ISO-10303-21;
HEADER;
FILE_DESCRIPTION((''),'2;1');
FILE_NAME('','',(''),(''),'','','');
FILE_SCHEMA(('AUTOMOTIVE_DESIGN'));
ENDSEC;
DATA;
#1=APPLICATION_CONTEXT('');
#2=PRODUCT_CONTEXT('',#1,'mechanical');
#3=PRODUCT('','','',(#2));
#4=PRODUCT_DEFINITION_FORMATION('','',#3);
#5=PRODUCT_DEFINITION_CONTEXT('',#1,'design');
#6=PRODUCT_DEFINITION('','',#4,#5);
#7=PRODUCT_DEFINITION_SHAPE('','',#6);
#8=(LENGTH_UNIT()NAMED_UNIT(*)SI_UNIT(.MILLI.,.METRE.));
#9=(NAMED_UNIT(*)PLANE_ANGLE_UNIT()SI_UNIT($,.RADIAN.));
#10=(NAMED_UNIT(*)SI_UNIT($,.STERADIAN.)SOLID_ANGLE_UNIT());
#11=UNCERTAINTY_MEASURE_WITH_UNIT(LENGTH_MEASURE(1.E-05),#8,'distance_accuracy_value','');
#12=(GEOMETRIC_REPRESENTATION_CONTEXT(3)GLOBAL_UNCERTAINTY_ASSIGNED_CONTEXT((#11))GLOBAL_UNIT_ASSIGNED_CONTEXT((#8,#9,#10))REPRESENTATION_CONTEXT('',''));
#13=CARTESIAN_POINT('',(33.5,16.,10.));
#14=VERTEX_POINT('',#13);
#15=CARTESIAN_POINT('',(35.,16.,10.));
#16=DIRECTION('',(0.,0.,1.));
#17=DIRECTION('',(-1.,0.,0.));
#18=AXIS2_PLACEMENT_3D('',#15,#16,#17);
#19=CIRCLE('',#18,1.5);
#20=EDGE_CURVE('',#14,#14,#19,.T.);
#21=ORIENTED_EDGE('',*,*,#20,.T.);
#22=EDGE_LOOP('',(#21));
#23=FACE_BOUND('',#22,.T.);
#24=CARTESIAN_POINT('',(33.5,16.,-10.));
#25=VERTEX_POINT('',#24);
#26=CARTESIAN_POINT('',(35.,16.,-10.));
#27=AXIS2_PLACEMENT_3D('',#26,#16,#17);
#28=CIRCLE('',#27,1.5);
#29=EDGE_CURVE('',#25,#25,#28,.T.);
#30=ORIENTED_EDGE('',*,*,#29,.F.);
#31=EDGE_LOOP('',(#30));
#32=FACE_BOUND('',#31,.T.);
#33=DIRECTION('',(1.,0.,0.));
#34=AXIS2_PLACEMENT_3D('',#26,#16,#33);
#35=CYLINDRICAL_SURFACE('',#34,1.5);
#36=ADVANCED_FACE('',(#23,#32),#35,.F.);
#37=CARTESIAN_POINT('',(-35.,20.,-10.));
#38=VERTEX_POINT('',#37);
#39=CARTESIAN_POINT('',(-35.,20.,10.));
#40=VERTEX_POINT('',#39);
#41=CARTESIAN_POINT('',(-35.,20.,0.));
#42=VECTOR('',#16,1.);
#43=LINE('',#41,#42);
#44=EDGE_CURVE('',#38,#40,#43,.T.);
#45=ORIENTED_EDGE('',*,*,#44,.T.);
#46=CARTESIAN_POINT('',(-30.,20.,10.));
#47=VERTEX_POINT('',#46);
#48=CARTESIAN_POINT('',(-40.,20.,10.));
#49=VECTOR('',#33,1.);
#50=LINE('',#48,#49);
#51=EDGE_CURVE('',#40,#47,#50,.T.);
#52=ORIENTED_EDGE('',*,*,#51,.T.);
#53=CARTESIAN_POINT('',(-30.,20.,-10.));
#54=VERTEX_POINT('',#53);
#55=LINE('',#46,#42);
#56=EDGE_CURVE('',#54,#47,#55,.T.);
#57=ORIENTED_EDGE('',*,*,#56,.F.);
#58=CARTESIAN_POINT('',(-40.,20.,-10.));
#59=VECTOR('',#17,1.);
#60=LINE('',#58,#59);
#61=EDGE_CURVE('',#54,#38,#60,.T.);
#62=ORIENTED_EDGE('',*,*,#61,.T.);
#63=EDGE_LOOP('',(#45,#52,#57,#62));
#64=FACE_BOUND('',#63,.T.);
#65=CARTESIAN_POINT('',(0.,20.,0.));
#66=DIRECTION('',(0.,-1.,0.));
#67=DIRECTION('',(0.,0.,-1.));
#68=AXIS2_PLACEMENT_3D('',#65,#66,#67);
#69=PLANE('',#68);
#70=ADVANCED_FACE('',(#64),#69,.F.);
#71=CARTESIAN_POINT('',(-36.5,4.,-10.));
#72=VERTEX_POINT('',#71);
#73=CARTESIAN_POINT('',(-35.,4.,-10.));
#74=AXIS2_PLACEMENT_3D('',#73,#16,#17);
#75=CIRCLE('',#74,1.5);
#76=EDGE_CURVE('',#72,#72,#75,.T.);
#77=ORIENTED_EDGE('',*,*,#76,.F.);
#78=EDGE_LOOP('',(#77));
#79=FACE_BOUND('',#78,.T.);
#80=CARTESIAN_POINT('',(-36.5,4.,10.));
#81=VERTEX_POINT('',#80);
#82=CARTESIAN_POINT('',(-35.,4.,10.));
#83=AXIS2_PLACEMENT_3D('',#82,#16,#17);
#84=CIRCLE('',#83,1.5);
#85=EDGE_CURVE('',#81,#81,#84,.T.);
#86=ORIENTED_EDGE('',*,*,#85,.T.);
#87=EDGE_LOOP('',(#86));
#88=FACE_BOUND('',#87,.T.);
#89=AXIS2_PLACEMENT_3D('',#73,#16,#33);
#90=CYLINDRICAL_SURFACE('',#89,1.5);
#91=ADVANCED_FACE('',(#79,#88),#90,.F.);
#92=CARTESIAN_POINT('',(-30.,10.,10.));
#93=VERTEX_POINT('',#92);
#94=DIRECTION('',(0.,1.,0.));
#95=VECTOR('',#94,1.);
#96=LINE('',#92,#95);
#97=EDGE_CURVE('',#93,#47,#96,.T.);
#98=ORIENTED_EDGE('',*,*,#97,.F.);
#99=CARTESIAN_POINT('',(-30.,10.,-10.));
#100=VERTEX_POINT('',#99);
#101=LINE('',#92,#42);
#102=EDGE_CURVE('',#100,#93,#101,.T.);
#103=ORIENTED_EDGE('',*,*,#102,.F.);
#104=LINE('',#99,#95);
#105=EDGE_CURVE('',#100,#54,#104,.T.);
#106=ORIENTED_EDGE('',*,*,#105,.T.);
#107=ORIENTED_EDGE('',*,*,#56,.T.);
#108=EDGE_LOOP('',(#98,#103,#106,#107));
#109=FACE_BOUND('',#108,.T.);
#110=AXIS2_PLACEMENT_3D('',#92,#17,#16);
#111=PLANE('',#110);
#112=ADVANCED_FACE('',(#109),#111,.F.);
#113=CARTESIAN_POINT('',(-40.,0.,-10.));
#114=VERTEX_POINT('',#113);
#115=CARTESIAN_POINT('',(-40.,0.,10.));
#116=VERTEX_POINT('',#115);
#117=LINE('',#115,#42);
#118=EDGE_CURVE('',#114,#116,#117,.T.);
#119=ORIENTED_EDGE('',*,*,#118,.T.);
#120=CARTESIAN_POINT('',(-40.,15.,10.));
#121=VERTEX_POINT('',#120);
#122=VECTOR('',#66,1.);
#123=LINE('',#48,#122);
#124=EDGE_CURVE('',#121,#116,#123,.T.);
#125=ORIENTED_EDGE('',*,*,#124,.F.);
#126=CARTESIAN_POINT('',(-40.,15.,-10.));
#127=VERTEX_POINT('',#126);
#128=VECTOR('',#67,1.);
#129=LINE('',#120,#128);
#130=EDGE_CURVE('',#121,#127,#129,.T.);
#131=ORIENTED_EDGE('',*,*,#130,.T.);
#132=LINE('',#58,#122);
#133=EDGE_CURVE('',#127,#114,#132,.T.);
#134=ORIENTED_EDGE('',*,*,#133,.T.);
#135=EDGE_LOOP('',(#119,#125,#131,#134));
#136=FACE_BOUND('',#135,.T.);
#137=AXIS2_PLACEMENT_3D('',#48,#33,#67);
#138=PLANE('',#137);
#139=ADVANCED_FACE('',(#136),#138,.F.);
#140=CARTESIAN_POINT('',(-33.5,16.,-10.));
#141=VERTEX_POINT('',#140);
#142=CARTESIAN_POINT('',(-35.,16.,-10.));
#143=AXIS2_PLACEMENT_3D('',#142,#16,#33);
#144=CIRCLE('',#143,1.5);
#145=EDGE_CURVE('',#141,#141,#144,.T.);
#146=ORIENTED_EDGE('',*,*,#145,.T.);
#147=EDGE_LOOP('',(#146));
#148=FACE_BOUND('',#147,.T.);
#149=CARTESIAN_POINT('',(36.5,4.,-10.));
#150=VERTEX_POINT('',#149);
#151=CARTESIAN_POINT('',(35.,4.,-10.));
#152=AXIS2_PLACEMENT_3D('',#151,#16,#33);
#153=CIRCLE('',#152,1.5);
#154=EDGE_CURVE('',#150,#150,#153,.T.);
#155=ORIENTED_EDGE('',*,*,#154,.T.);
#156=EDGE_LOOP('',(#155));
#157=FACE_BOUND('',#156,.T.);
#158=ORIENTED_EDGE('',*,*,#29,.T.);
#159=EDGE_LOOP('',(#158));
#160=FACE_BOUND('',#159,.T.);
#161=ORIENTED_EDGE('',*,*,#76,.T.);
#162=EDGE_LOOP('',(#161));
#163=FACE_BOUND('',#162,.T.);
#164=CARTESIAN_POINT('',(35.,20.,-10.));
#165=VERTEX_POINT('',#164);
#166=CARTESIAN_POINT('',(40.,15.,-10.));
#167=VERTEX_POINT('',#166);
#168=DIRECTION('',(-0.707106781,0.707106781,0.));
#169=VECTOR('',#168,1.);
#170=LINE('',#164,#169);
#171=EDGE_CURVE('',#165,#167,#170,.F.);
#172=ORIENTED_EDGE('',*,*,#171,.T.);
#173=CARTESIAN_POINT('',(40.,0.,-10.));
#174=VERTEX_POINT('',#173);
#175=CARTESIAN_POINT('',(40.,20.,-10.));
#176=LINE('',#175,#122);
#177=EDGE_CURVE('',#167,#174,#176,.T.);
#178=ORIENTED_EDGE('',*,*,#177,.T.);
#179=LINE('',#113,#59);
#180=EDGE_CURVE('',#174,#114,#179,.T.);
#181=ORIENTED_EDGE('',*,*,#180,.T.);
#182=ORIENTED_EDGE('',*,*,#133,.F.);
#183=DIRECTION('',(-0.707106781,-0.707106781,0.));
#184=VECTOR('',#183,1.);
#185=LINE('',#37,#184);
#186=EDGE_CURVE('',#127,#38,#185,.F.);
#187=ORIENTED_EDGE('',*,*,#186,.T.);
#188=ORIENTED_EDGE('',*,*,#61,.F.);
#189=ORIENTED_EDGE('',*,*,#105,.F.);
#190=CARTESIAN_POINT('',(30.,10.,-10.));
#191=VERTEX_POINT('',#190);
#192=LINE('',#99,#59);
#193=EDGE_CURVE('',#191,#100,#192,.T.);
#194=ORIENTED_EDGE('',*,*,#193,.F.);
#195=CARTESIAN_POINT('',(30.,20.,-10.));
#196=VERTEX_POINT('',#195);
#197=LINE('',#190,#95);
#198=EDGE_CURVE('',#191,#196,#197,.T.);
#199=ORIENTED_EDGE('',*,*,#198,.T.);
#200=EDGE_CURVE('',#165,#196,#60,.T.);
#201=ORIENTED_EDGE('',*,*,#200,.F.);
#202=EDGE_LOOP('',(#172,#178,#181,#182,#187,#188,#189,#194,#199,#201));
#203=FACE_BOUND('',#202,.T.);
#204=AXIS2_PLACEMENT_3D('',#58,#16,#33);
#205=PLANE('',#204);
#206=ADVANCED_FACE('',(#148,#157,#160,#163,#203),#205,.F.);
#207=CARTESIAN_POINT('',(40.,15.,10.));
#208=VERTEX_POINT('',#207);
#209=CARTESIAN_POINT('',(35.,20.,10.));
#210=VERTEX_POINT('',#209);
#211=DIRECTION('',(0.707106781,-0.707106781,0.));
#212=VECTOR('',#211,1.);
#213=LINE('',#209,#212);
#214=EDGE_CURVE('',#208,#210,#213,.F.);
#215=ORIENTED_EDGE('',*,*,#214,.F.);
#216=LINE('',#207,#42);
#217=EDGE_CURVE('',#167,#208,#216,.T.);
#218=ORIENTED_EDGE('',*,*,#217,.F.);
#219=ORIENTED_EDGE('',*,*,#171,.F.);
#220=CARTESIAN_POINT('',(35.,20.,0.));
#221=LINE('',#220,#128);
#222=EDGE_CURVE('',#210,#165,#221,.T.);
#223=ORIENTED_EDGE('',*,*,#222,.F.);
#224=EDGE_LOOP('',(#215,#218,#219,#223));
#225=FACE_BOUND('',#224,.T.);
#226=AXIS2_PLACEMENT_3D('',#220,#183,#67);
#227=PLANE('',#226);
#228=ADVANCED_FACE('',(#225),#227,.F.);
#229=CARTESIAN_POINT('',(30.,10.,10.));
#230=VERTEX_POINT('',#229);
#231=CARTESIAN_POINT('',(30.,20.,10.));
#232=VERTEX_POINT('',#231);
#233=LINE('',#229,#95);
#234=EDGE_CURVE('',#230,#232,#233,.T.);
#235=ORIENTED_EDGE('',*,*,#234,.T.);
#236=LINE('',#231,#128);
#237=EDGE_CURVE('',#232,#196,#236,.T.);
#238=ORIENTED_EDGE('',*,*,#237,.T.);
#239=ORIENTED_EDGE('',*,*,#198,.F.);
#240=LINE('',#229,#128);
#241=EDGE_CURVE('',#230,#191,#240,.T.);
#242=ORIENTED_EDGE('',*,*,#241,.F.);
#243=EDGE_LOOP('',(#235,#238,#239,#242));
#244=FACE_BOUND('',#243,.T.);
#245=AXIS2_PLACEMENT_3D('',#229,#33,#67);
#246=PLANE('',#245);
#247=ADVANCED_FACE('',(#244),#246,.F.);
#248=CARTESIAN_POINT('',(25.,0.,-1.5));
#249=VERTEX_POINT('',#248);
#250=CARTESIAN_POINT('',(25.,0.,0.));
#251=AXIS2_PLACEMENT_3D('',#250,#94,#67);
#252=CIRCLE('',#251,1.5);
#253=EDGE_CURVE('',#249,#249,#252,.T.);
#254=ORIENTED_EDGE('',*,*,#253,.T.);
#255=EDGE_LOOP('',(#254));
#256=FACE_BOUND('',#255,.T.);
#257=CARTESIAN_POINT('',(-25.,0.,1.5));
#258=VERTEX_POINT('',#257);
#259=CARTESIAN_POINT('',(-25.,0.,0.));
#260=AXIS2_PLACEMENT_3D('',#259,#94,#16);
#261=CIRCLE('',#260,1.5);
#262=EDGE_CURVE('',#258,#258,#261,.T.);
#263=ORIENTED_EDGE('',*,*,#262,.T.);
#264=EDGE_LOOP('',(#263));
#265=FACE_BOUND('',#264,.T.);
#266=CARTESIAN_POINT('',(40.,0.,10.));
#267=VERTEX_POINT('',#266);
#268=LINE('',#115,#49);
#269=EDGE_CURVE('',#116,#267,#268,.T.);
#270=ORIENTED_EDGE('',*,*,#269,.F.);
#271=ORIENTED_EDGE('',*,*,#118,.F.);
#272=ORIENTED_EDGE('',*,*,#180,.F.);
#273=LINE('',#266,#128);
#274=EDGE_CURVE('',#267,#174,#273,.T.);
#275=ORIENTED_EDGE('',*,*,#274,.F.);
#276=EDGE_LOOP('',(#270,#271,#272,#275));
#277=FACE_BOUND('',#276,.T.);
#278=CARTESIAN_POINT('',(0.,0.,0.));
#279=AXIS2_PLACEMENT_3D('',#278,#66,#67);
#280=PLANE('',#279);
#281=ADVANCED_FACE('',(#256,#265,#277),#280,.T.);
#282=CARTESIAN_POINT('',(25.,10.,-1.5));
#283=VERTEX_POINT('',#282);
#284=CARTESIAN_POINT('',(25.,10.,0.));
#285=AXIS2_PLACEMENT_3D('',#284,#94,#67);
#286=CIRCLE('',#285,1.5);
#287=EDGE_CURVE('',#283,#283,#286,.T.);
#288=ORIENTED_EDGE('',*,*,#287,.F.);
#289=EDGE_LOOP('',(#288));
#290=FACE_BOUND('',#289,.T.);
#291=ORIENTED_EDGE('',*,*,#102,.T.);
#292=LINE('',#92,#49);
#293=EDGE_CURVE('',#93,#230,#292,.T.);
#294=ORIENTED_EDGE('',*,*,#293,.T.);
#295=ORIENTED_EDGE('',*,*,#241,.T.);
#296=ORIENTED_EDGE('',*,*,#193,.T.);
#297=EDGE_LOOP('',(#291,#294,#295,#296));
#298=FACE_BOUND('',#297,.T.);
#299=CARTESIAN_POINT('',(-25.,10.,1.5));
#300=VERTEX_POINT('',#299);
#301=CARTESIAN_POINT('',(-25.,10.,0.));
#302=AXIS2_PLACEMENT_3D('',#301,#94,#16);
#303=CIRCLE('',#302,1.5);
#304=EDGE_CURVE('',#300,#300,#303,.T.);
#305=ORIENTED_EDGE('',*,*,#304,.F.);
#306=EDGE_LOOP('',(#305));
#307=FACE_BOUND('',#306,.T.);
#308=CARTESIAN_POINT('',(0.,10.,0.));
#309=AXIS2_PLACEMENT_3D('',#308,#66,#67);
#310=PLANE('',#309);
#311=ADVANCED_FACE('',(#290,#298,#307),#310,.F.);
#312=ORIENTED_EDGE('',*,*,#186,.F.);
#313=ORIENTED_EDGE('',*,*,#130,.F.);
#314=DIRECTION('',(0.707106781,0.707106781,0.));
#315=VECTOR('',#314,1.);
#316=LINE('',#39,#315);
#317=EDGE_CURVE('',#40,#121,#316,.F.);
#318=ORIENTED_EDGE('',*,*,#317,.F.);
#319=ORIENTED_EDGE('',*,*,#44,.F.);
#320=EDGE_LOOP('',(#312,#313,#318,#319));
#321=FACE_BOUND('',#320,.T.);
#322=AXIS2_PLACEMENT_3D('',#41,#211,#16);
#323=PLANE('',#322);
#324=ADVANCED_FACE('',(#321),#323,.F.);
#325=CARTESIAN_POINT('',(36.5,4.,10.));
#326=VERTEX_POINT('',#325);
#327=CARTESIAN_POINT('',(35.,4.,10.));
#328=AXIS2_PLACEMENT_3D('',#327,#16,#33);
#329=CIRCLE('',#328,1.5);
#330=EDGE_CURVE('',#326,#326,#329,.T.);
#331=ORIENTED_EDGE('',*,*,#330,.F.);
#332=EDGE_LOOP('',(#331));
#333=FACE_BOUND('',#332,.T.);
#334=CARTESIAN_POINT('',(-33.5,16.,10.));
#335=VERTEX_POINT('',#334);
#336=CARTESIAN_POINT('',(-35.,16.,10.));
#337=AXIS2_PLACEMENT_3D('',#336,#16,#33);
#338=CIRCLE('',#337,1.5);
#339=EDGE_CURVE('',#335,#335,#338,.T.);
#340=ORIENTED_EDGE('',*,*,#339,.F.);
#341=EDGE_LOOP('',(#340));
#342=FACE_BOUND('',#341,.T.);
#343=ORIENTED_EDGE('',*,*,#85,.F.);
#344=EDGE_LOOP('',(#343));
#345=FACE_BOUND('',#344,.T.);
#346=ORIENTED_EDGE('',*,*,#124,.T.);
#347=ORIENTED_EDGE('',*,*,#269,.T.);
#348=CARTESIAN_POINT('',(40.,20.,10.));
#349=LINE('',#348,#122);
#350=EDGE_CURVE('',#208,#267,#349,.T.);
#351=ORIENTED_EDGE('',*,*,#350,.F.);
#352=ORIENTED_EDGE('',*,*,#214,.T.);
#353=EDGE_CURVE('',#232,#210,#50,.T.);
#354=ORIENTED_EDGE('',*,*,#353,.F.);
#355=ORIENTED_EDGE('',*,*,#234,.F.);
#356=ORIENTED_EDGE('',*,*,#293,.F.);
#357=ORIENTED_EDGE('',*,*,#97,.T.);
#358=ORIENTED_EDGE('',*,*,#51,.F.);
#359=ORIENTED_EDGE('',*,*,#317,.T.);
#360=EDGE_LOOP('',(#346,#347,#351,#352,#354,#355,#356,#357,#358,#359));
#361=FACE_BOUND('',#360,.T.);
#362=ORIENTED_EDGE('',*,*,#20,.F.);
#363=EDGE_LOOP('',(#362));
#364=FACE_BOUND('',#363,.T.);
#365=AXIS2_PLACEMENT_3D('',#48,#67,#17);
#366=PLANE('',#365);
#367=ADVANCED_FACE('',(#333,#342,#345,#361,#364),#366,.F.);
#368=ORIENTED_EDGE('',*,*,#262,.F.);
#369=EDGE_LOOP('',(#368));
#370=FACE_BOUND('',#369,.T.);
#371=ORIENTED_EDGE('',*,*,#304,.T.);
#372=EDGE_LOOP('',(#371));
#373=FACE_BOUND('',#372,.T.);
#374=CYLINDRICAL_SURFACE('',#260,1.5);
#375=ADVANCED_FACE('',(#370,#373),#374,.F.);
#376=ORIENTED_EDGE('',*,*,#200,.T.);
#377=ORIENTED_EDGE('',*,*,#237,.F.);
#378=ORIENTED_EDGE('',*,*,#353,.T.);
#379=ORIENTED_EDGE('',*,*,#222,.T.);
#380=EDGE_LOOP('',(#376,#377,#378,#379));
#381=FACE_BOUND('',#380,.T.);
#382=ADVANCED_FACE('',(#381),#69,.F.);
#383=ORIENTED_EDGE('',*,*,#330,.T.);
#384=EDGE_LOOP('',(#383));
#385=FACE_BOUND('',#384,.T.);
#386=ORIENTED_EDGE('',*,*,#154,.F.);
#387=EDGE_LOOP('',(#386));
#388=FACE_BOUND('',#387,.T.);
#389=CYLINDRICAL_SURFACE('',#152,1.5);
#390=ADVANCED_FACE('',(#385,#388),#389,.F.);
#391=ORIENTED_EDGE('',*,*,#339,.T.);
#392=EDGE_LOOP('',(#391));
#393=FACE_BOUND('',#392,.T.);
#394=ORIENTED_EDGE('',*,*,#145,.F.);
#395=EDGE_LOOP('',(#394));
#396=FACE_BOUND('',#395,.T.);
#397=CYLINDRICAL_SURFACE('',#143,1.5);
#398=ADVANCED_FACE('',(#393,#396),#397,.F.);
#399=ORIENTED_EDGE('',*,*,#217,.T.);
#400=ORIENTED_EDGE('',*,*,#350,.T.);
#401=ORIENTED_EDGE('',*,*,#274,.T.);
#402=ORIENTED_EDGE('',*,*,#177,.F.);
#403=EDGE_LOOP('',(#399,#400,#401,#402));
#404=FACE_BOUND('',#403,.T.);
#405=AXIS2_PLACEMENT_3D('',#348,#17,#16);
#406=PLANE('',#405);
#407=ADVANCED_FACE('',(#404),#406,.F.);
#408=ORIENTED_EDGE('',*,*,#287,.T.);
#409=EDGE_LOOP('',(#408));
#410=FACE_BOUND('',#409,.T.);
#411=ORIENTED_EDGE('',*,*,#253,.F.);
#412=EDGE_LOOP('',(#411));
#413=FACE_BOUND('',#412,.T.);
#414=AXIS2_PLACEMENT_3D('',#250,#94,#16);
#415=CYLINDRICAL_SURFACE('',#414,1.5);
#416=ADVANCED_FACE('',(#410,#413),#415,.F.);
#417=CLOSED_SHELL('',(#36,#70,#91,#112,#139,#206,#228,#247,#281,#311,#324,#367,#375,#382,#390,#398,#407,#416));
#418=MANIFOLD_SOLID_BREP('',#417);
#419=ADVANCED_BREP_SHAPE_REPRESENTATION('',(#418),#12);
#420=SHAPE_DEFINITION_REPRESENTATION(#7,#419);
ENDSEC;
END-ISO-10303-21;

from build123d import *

# Parameters (mm, degrees)
SKETCH_1_W          = 80
SKETCH_1_H          = 20
EXTRUDE_1_DEPTH     = 20
SKETCH_2_W          = 60
SKETCH_2_H          = 20
CUT_EXTRUDE_1_DEPTH = 10
SKETCH_3_R          = 1.5
CUT_EXTRUDE_2_DEPTH = 43.426406871
CHAMFER_1_SIZE      = 5
SKETCH_4_R          = 1.5
CUT_EXTRUDE_3_DEPTH = 49.989794856


with BuildPart() as part:
    # 草图1 → 凸台-拉伸1 (new body)
    with BuildSketch(Plane(origin=(0, 0, 0), x_dir=(1, 0, 0), z_dir=(0, 1, 0))):
        Rectangle(SKETCH_1_W, SKETCH_1_H)
    extrude(amount=EXTRUDE_1_DEPTH)

    # 草图2 → 切除-拉伸1 (cut)
    with BuildSketch(Plane(origin=(0, 20, 0), x_dir=(1, 0, 0), z_dir=(0, 1, 0))):
        Rectangle(SKETCH_2_W, SKETCH_2_H)
    extrude(amount=-CUT_EXTRUDE_1_DEPTH, mode=Mode.SUBTRACT)

    # 草图3 → 切除-拉伸2 (cut, through all)
    with BuildSketch(Plane(origin=(0, 10, 0), x_dir=(1, 0, 0), z_dir=(0, 1, 0))):
        with Locations(Location((-25, 0, 0), (0, 0, 270))):
            Circle(SKETCH_3_R)
        with Locations(Location((25, 0, 0), (0, 0, 90))):
            Circle(SKETCH_3_R)
    extrude(amount=-CUT_EXTRUDE_2_DEPTH, mode=Mode.SUBTRACT)

    # 倒角1
    chamfer_1_edges = [part.edges().sort_by_distance(p)[0] for p in [
        (-40, 20, 0),
        (40, 20, 0),
    ]]
    chamfer(chamfer_1_edges, length=CHAMFER_1_SIZE)

    # 草图4 → 切除-拉伸3 (cut, through all)
    with BuildSketch(Plane.XY.offset(10)):
        with Locations((-35, 16)):
            Circle(SKETCH_4_R)
        with Locations(Location((-35, 4, 0), (0, 0, 180))):
            Circle(SKETCH_4_R)
        with Locations((35, 4)):
            Circle(SKETCH_4_R)
        with Locations(Location((35, 16, 0), (0, 0, 180))):
            Circle(SKETCH_4_R)
    extrude(amount=-CUT_EXTRUDE_3_DEPTH, mode=Mode.SUBTRACT)


solid = part.part
